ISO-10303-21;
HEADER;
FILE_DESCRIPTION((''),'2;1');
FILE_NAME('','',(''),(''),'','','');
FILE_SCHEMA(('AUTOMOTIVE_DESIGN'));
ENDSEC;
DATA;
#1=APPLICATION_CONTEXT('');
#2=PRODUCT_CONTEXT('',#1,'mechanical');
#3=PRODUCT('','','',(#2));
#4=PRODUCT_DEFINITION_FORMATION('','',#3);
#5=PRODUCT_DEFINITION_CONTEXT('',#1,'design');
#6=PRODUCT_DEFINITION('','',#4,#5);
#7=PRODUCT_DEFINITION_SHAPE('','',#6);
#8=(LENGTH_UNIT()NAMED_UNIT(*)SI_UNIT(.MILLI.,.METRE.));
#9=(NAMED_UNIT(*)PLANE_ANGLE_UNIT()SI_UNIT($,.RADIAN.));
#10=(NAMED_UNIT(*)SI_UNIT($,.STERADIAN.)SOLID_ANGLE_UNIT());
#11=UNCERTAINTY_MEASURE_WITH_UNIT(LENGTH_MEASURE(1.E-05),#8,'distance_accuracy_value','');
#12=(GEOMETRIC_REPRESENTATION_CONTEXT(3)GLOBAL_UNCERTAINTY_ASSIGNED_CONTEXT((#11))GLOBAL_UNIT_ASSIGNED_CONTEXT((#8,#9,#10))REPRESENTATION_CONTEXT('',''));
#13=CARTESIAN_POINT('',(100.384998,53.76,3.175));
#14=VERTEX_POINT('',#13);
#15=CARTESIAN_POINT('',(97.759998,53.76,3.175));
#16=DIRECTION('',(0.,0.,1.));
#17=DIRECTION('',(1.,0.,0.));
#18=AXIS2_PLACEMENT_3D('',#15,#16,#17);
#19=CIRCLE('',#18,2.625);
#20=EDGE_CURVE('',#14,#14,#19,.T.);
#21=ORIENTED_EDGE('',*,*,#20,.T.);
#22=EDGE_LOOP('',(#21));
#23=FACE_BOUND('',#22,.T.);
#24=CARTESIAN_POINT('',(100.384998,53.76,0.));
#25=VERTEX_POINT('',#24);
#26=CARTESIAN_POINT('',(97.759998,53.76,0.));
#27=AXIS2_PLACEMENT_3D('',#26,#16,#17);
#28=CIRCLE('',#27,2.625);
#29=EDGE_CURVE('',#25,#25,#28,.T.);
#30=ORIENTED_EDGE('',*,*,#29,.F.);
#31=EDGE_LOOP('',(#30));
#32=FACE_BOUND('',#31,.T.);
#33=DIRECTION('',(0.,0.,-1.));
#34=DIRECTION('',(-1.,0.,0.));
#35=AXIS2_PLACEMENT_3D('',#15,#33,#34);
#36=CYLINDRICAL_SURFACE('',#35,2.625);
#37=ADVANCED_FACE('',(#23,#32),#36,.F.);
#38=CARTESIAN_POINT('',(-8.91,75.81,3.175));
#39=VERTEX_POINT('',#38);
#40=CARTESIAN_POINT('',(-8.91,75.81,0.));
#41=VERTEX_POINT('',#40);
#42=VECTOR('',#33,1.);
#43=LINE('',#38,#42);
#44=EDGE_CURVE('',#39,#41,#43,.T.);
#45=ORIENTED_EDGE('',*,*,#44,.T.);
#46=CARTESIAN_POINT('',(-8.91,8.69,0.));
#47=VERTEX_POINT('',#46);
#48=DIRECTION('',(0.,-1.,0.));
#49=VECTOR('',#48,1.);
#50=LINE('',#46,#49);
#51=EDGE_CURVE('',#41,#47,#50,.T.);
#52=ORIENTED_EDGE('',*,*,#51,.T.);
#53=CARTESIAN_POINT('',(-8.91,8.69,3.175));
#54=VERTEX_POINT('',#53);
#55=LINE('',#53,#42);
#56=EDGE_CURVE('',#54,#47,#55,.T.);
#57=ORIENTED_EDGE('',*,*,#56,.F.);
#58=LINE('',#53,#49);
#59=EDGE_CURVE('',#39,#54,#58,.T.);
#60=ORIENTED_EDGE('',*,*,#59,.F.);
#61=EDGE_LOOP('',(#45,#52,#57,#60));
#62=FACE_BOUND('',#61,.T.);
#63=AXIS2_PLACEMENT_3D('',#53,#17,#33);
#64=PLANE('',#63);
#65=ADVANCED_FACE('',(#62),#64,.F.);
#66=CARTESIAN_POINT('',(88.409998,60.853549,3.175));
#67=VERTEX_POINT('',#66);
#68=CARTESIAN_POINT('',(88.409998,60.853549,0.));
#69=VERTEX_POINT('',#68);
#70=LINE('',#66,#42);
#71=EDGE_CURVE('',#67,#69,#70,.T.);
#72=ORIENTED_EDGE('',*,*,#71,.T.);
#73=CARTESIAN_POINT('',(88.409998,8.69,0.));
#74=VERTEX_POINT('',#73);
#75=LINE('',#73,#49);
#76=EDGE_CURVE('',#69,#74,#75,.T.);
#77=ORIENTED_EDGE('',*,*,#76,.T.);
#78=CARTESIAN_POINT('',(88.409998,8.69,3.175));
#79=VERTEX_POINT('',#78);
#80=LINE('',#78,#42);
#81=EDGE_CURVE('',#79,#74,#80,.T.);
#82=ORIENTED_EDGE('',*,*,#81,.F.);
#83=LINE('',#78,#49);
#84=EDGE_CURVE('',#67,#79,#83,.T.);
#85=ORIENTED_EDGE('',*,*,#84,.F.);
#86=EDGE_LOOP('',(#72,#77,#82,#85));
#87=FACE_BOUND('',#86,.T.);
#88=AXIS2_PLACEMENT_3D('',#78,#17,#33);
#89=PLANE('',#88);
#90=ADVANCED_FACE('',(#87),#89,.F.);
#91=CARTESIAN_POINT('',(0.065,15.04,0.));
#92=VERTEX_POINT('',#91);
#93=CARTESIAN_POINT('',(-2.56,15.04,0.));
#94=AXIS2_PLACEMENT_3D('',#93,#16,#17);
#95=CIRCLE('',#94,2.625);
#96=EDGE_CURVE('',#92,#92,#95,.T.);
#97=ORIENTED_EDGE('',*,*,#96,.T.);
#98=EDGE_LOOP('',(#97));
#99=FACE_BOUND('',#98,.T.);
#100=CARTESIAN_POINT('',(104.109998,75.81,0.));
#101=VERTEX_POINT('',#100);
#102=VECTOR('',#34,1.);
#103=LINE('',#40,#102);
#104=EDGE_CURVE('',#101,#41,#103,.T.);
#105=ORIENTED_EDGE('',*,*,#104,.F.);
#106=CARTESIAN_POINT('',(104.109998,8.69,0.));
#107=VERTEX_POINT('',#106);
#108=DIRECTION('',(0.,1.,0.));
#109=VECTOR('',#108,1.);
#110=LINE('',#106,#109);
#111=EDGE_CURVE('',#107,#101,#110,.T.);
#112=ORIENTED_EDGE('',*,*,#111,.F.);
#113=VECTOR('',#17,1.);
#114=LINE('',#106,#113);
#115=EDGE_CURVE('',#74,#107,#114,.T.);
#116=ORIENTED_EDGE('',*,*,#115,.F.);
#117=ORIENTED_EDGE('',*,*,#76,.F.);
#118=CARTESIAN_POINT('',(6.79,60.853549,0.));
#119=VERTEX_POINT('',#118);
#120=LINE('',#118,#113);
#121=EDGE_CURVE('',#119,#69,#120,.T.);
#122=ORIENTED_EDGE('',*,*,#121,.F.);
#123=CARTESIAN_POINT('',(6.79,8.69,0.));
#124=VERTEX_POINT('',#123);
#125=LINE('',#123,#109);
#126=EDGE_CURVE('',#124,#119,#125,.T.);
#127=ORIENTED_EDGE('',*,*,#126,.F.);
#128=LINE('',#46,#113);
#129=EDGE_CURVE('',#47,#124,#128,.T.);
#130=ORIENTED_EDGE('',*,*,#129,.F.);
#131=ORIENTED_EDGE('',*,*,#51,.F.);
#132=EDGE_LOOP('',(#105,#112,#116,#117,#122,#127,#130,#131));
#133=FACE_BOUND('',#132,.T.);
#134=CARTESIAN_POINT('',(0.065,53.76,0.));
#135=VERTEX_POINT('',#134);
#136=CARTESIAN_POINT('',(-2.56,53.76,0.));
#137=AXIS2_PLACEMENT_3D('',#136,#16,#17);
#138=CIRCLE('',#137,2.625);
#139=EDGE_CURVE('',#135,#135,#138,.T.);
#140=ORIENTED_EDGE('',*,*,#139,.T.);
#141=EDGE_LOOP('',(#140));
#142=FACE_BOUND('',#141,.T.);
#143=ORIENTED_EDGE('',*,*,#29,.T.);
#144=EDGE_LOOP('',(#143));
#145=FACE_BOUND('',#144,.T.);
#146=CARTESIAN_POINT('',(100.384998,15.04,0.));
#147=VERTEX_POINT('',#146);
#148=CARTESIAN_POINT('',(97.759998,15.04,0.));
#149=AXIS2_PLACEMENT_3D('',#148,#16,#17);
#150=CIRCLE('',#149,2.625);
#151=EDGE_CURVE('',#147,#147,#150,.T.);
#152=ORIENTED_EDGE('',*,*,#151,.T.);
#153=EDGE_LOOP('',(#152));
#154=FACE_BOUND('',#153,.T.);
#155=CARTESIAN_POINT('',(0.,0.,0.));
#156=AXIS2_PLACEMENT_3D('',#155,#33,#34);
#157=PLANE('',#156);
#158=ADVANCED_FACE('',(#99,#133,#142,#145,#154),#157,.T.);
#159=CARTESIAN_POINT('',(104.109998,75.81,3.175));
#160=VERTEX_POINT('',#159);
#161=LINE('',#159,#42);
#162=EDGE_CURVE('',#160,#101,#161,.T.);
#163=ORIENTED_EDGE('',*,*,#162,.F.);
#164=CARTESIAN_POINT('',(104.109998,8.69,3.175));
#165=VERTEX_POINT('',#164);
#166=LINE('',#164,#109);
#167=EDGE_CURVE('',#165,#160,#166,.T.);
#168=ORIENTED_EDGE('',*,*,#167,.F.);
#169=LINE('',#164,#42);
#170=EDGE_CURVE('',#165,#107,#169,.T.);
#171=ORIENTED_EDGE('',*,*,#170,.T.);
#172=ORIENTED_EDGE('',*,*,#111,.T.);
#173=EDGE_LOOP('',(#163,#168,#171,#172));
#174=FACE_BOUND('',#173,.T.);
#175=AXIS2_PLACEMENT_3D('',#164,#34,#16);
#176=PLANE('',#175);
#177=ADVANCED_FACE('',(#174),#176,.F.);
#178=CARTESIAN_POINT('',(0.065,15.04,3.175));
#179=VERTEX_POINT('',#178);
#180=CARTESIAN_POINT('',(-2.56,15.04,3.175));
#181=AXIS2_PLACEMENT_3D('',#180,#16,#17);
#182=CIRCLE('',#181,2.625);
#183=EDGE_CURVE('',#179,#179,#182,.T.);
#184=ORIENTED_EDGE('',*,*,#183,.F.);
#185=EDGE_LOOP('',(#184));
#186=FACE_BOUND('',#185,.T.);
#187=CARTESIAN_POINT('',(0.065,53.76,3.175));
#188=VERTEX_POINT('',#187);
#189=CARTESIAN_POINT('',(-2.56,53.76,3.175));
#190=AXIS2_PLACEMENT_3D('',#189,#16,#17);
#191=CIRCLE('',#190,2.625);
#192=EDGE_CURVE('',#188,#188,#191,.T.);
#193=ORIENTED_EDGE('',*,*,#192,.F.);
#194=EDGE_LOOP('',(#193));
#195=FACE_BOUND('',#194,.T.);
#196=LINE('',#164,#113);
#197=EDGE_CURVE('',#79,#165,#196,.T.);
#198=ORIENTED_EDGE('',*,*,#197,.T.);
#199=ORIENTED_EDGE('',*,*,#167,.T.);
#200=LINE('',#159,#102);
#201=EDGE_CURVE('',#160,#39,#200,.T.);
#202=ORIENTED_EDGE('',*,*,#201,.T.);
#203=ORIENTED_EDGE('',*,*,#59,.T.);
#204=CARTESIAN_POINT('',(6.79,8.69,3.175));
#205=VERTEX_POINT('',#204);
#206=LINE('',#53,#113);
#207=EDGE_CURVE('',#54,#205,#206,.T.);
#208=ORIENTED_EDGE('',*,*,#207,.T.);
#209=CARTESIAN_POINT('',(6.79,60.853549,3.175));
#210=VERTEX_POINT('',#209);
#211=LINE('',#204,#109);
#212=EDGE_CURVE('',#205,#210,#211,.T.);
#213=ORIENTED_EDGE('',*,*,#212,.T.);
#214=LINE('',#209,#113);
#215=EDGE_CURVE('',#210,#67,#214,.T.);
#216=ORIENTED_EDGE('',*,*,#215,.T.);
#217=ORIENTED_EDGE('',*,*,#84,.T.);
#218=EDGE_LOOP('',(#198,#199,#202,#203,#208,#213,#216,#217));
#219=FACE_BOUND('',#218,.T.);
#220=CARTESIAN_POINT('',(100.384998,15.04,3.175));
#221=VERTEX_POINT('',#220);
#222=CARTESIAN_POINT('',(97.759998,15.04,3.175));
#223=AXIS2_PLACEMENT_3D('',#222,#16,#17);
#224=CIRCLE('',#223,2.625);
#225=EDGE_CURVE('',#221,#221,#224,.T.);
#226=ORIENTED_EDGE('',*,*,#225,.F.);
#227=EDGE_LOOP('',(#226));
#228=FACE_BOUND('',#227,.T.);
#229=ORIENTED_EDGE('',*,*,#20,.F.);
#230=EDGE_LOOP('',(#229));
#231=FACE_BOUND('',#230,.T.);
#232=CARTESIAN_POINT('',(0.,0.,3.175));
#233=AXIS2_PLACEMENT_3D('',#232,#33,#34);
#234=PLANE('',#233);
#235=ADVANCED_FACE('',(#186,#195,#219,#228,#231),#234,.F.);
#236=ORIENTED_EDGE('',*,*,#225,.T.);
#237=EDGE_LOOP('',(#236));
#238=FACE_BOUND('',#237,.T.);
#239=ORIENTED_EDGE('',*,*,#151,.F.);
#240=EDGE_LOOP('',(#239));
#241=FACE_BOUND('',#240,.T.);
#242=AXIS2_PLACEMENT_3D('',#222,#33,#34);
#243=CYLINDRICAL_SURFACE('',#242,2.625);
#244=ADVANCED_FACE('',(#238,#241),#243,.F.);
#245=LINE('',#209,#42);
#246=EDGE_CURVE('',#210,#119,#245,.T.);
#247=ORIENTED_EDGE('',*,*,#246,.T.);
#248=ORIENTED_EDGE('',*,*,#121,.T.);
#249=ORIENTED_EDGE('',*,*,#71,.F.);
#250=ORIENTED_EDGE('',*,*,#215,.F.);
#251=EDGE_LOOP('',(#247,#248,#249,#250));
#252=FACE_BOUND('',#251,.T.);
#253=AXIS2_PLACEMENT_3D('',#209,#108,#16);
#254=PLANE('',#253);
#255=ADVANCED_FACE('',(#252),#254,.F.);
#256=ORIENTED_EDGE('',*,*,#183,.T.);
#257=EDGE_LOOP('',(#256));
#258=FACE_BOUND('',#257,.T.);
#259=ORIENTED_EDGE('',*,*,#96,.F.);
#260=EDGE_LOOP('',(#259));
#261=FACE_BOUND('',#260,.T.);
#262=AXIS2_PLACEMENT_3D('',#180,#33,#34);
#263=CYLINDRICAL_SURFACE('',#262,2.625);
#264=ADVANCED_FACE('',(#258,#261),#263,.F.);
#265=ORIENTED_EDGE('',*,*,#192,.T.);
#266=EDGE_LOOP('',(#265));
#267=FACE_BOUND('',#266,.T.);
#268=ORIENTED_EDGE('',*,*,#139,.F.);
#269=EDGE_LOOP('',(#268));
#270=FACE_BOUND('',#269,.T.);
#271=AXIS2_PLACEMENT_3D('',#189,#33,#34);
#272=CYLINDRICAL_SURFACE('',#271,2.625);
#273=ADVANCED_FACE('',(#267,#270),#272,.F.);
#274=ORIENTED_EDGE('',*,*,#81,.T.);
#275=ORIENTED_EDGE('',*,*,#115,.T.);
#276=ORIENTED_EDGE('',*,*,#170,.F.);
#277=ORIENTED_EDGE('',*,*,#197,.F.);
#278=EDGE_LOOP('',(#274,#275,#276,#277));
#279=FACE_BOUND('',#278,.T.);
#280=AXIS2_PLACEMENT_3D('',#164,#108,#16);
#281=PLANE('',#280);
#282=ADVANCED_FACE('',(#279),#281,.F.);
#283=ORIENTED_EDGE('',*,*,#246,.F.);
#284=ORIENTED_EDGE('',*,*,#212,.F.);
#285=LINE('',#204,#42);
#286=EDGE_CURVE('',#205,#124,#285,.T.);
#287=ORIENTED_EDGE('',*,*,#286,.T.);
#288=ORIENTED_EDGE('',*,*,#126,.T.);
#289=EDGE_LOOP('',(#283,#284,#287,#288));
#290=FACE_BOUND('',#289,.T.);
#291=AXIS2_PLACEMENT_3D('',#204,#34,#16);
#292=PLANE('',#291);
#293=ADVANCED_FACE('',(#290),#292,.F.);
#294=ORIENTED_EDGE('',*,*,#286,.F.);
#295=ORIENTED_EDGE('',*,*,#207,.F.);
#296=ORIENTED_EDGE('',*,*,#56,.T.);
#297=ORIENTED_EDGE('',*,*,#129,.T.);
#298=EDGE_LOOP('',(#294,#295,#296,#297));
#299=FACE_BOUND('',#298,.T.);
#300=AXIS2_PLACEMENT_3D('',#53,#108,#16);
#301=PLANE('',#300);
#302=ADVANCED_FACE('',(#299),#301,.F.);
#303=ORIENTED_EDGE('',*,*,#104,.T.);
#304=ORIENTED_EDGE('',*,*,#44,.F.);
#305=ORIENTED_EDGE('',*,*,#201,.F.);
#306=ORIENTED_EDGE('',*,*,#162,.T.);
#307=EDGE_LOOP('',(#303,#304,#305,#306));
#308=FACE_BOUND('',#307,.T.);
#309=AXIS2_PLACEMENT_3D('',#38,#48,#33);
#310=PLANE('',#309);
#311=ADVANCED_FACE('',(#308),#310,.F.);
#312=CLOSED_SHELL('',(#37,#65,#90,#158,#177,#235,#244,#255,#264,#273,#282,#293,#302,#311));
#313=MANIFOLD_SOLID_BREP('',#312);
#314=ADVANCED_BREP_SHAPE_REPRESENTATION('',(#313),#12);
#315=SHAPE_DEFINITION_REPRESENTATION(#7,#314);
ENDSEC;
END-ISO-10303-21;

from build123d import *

# Parameters (mm, degrees)
SKETCH1_R           = 2.625
BOSS_EXTRUDE1_DEPTH = 3.175


with BuildPart() as part:
    # Sketch1 → Boss-Extrude1 (new body)
    with BuildSketch(Plane.XY):
        Polygon((-8.910000095, 8.69), (6.789999905, 8.69), (6.789999905, 60.853549492), (88.409998474, 60.853549492), (88.409998474, 8.69), (104.109998474, 8.69), (104.109998474, 75.81), (88.409998474, 75.81), (6.789999905, 75.81), (-8.910000095, 75.81), align=None)
        with Locations((-2.560000095, 53.76)):
            Circle(SKETCH1_R, mode=Mode.SUBTRACT)
        with Locations((-2.560000095, 15.04)):
            Circle(SKETCH1_R, mode=Mode.SUBTRACT)
        with Locations((97.759998474, 15.04)):
            Circle(SKETCH1_R, mode=Mode.SUBTRACT)
        with Locations((97.759998474, 53.76)):
            Circle(SKETCH1_R, mode=Mode.SUBTRACT)
    extrude(amount=BOSS_EXTRUDE1_DEPTH)


solid = part.part
